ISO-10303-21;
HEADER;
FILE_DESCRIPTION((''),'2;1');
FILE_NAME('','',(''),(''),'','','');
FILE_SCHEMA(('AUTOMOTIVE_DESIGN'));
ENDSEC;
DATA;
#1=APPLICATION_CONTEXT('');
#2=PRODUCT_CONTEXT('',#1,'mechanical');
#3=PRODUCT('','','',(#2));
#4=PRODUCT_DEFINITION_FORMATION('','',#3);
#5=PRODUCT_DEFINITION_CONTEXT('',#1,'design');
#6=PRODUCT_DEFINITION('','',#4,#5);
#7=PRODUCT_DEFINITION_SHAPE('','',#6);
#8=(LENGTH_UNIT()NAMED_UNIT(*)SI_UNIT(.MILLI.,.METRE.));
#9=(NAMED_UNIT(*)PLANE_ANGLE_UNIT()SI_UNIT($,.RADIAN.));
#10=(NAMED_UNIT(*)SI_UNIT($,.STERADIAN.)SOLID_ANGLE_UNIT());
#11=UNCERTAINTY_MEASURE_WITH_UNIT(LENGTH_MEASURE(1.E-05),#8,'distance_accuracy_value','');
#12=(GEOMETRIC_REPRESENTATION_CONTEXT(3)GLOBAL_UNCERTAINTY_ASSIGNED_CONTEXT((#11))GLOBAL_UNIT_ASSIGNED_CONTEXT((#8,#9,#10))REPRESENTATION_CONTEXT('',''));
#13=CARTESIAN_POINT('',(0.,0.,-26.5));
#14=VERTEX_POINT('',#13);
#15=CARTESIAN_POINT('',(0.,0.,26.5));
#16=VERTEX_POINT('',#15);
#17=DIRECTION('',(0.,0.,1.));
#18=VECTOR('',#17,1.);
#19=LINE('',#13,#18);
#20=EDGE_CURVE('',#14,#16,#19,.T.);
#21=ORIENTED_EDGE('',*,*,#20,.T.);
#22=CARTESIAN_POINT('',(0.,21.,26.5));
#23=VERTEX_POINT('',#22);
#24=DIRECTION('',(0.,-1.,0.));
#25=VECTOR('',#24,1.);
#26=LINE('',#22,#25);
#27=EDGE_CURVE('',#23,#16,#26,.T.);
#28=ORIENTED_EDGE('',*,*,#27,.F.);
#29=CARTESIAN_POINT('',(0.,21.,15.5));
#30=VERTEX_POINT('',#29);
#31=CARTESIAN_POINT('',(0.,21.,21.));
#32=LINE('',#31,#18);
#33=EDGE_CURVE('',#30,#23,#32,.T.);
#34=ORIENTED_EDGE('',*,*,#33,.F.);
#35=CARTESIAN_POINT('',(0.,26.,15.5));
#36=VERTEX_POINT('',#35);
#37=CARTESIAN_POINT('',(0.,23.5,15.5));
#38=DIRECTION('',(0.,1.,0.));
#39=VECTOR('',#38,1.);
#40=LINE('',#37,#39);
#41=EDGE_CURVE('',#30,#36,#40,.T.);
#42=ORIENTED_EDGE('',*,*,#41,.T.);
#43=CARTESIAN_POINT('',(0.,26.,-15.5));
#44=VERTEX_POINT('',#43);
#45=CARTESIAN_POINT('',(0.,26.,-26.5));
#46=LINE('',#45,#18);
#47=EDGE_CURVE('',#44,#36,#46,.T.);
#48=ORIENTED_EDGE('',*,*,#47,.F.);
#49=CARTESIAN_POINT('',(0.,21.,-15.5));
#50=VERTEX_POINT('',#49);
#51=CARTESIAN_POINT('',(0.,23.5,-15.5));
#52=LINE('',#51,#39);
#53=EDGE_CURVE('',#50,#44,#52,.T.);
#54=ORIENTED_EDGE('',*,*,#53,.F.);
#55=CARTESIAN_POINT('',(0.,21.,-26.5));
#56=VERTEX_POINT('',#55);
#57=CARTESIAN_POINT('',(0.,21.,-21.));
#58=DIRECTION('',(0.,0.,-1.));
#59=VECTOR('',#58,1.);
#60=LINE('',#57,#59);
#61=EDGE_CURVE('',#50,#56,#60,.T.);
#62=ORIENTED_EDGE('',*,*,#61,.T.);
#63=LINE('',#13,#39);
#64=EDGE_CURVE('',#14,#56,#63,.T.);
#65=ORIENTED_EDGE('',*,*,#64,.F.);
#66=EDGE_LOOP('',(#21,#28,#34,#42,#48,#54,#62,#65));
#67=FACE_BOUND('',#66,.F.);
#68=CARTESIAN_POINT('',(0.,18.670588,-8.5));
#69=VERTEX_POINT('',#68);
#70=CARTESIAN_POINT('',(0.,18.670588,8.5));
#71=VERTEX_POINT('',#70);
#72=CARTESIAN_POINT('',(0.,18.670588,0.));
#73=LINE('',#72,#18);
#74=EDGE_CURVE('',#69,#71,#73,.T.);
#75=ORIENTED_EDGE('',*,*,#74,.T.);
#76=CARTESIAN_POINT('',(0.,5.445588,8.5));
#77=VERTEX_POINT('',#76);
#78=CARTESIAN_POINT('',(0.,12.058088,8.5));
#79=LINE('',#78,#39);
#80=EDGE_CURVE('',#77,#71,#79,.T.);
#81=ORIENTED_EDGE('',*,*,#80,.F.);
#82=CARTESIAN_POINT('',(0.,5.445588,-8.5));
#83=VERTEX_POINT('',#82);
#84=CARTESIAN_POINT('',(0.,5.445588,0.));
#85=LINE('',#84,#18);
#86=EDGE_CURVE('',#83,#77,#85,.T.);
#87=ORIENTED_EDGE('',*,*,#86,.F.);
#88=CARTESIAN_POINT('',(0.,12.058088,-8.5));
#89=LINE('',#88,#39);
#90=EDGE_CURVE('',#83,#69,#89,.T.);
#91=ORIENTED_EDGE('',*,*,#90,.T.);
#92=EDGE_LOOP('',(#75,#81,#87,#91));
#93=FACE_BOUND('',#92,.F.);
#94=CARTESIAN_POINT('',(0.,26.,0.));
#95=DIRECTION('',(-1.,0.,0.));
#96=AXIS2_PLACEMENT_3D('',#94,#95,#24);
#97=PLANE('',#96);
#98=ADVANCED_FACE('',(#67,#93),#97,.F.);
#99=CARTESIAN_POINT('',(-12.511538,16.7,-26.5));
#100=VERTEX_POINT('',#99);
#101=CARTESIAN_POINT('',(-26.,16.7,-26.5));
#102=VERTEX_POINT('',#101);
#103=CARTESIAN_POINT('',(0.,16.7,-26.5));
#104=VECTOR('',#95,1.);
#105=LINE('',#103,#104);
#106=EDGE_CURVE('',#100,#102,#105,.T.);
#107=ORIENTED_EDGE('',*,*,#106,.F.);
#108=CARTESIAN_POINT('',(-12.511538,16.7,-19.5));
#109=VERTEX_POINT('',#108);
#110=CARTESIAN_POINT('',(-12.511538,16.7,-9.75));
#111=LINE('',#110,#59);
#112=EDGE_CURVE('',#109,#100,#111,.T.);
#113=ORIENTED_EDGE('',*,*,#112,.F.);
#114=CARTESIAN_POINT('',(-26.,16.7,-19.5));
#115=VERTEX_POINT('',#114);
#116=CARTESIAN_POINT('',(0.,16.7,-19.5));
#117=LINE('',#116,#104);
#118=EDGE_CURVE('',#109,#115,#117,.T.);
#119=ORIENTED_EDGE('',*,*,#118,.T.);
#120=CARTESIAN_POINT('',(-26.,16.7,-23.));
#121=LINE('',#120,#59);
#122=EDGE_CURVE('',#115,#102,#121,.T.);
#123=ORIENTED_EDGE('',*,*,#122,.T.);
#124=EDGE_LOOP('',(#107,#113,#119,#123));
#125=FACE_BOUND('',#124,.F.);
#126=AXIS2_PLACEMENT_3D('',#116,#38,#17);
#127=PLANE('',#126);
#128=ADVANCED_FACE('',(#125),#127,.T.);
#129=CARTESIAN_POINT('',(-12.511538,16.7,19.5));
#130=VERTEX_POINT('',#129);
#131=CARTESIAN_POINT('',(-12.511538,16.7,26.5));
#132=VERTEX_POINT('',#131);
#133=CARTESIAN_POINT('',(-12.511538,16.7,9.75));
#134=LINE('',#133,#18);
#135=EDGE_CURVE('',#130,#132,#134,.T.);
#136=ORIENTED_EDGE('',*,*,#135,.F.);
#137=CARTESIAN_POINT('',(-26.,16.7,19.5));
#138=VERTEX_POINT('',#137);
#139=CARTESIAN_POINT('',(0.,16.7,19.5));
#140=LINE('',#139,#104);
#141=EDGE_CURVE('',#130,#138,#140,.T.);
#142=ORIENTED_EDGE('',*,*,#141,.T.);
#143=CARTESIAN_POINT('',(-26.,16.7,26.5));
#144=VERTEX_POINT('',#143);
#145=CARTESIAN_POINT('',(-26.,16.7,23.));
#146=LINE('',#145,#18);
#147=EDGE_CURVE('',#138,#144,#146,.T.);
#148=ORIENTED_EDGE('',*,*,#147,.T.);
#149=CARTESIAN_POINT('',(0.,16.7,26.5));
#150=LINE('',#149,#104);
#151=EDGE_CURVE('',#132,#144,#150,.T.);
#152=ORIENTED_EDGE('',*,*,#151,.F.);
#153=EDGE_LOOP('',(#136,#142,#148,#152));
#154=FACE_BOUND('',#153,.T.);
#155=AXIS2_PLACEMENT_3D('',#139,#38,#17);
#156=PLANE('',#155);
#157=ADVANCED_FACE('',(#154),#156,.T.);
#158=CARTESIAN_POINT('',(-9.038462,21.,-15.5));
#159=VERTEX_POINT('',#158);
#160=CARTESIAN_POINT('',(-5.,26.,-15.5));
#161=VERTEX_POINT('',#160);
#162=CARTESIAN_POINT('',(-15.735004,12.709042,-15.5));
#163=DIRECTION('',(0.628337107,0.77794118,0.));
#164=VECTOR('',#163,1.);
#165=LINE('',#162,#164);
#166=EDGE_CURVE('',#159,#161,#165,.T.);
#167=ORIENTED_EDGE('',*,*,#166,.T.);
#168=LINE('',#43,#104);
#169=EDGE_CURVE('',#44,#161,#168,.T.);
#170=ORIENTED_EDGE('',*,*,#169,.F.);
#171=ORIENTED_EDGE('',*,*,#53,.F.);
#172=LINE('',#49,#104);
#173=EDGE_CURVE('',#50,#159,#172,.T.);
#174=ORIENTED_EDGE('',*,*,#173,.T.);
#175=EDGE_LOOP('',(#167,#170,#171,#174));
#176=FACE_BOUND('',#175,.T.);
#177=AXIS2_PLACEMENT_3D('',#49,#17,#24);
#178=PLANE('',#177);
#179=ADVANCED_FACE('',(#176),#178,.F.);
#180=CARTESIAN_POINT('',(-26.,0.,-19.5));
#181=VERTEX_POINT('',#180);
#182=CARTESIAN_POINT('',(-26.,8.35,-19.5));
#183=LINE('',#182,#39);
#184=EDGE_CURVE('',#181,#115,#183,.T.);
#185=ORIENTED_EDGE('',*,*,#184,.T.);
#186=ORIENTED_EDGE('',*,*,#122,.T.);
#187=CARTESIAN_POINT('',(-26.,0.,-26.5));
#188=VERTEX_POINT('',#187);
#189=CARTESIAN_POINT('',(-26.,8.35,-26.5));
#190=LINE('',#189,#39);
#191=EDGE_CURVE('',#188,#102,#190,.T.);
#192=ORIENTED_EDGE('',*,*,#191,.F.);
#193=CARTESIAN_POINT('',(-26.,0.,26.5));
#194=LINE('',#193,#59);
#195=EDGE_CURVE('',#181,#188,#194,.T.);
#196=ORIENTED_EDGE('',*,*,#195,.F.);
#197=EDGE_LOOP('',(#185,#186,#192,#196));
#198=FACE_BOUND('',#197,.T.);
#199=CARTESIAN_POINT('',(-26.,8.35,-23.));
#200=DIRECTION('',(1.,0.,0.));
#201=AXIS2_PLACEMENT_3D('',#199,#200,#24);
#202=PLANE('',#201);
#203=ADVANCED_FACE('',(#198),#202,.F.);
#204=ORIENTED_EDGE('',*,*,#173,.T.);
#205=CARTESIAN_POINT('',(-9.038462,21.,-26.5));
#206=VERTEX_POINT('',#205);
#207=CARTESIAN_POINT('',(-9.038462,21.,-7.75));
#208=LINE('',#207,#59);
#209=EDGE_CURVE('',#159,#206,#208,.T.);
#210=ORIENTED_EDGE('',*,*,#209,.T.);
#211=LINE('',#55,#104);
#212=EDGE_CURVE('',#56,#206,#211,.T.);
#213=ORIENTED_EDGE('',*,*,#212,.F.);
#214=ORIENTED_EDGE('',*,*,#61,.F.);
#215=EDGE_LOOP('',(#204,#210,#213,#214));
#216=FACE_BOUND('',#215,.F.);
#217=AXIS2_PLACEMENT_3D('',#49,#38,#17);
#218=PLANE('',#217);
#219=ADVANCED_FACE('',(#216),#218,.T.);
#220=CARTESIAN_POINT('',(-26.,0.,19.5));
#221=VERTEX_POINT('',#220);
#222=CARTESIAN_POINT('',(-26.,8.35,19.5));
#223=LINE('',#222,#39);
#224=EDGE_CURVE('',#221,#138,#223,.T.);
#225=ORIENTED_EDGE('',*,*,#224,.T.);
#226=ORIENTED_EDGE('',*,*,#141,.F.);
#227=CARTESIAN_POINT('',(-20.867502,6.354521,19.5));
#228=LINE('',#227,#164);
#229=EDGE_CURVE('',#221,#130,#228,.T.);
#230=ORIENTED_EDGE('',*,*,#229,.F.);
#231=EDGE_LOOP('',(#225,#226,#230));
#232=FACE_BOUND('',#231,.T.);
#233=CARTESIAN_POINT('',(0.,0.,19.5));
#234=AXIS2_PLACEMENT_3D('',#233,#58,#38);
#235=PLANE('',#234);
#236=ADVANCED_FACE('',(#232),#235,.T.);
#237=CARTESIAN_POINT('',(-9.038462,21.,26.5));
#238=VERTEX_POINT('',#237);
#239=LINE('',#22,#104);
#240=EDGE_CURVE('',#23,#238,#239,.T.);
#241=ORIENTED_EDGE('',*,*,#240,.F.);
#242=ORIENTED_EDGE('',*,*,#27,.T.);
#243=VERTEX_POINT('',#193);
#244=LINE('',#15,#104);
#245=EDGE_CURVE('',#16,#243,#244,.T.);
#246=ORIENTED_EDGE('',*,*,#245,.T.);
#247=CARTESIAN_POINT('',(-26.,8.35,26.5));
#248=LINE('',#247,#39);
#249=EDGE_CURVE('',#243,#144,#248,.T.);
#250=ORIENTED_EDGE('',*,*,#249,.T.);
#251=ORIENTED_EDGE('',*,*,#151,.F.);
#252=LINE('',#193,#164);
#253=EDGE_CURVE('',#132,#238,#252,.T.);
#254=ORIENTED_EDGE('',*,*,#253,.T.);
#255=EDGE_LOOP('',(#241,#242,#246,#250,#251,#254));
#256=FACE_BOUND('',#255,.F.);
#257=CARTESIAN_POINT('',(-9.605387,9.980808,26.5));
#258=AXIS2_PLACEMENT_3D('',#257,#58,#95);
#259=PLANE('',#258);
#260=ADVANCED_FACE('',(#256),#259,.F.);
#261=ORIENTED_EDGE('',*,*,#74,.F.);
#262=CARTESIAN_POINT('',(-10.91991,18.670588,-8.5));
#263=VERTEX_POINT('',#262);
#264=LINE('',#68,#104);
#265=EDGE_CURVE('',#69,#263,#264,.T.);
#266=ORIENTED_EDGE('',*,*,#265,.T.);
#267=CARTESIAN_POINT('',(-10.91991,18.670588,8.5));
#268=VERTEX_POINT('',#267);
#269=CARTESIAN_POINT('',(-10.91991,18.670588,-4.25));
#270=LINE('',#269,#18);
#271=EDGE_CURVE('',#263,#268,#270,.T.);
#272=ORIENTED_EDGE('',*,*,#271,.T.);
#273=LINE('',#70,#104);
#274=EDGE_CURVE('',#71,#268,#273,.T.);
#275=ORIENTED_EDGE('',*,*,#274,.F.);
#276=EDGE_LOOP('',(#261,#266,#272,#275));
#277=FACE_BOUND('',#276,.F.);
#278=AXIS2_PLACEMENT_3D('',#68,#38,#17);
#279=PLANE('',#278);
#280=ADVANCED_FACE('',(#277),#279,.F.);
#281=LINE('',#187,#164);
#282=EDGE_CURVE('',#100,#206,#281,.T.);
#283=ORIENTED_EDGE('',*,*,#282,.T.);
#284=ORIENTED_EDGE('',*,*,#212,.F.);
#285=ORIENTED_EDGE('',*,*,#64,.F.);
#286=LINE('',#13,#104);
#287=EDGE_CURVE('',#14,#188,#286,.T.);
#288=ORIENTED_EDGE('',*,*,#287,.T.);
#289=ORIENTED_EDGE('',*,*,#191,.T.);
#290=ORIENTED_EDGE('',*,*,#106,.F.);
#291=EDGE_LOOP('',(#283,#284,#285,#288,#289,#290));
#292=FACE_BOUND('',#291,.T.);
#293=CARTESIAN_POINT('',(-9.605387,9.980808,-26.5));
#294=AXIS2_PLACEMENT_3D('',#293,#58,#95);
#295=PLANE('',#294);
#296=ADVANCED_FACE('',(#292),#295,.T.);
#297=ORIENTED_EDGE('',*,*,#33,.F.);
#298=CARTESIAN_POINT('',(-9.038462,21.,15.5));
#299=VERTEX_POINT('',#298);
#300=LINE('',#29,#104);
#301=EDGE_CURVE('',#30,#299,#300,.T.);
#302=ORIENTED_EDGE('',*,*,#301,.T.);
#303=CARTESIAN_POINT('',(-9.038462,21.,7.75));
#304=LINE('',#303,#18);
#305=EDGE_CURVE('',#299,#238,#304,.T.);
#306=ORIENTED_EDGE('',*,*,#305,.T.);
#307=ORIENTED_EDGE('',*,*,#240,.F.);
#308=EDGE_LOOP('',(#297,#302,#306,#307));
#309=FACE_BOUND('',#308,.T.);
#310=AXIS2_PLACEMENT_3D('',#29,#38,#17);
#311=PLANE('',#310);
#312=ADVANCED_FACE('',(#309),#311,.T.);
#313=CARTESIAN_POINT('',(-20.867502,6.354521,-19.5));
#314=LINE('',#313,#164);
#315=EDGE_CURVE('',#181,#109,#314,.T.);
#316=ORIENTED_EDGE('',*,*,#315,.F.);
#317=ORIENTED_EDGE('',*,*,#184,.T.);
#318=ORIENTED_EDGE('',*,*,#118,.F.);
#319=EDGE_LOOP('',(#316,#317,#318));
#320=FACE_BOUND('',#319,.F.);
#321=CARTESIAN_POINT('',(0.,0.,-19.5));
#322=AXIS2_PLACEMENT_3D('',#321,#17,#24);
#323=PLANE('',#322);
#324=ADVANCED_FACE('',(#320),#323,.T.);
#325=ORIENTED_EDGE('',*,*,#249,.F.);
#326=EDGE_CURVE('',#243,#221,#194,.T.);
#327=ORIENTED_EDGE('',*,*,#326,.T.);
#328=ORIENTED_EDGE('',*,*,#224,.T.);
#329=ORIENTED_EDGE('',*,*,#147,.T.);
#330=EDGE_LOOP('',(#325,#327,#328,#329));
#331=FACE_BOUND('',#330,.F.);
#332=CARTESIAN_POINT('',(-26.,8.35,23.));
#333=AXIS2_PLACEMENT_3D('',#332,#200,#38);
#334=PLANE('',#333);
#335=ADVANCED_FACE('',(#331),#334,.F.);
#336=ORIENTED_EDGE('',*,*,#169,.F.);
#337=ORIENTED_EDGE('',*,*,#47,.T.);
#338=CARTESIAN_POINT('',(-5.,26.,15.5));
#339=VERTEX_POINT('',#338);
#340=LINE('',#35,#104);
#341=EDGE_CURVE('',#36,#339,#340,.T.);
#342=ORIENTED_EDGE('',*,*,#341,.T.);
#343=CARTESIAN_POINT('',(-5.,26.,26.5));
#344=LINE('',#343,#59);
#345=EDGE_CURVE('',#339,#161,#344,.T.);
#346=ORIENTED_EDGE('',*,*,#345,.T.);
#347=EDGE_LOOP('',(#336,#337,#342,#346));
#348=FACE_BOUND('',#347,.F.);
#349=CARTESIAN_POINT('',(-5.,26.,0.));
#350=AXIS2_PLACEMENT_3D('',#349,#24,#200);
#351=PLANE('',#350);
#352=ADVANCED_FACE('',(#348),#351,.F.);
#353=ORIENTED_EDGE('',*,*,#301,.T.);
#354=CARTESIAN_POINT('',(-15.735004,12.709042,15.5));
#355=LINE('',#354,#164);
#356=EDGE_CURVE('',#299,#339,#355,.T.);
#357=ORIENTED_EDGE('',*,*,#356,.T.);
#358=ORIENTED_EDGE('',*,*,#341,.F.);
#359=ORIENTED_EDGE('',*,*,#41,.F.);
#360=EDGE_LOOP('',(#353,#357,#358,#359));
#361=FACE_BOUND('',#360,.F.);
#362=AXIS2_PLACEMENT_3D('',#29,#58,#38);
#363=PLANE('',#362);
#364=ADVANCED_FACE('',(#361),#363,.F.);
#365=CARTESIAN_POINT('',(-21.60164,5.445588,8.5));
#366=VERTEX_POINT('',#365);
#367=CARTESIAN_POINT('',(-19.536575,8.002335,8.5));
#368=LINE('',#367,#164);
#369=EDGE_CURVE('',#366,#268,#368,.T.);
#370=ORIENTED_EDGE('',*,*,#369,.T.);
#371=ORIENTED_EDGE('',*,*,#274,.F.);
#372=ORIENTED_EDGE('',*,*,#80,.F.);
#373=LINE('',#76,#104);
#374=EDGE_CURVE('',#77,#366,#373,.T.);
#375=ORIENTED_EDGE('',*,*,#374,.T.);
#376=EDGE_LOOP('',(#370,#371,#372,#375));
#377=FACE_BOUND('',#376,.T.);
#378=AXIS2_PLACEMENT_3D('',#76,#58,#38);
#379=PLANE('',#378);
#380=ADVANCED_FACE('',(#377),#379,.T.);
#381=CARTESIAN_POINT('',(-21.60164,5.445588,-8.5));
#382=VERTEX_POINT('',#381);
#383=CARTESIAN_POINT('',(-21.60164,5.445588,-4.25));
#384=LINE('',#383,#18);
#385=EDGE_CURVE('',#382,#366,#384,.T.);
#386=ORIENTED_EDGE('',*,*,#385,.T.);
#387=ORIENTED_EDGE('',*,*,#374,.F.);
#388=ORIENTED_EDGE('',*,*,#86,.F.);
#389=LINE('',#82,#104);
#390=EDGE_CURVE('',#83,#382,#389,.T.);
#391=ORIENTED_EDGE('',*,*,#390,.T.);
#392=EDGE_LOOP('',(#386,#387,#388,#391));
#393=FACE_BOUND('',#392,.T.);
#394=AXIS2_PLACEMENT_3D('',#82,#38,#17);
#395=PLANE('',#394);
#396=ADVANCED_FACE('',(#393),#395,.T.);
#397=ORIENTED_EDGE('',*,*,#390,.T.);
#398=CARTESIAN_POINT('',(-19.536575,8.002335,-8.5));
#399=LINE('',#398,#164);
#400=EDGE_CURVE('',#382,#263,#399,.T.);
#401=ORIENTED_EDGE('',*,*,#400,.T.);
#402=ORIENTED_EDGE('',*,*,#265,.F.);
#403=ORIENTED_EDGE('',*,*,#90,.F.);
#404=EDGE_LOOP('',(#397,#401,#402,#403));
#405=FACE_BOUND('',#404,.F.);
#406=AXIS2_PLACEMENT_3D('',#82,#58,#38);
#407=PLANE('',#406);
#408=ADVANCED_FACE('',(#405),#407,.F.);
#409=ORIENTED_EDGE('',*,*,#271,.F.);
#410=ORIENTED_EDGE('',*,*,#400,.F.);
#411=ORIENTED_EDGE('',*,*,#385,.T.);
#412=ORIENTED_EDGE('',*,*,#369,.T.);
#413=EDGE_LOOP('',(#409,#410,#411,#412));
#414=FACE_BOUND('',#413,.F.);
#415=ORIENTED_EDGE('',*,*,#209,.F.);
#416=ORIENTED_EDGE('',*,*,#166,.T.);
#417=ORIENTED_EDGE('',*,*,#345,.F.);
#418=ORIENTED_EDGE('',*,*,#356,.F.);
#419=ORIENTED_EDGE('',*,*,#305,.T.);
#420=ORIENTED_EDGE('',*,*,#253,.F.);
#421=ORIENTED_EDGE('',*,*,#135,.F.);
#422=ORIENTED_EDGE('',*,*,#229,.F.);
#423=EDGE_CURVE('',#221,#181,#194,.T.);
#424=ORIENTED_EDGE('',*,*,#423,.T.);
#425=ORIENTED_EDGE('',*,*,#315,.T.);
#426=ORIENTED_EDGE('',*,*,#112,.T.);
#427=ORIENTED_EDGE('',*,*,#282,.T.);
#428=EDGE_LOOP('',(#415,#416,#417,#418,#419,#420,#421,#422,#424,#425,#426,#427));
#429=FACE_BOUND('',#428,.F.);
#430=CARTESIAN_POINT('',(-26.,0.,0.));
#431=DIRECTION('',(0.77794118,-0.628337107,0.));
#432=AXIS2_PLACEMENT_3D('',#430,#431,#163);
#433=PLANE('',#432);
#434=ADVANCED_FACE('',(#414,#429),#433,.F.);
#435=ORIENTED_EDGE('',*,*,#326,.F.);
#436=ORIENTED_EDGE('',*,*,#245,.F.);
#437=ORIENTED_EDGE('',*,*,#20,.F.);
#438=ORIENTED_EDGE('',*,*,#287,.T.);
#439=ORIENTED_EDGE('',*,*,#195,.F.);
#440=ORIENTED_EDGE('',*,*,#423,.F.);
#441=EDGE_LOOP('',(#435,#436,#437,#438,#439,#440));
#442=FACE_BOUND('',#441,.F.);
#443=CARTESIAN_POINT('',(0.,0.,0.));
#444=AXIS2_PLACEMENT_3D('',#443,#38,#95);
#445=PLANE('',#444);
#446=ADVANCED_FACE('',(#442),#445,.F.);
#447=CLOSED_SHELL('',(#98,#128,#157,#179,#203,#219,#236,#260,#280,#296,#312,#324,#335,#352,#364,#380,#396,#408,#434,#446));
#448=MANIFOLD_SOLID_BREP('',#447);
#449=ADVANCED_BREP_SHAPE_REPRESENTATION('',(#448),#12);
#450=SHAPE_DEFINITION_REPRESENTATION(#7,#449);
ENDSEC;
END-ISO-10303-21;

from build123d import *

# Parameters (mm, degrees)
PAD_DEPTH       = 26.5
SKETCH002_W     = 5
SKETCH002_H     = 11
POCKET_DEPTH    = 155.012627
SKETCH003_W     = 16.7
SKETCH003_H     = 7
PAD001_DEPTH    = 26
SKETCH005_W     = 13.225
SKETCH005_H     = 17
POCKET001_DEPTH = 26.001


with BuildPart() as part:
    # Sketch → Pad (new body, symmetric)
    with BuildSketch(Plane.XY):
        Polygon((0, 0), (-26, 0), (-5, 26), (0, 26), align=None)
    extrude(amount=PAD_DEPTH, both=True)

    # Sketch002 (on Face4 of Pad) → Pocket (cut, through all)
    with BuildSketch(Plane.YZ):
        with Locations((23.5, 21)):
            Rectangle(SKETCH002_W, SKETCH002_H)
    pocket = extrude(amount=-POCKET_DEPTH, mode=Mode.SUBTRACT)

    # Mirrored: Pocket across Sketch002 H_Axis
    add(pocket.mirror(Plane.XY), mode=Mode.SUBTRACT)

    # Sketch003 (on Face2 of Mirrored) → Pad001 (join)
    with BuildSketch(Plane.YZ):
        with Locations((8.35, 23)):
            Rectangle(SKETCH003_W, SKETCH003_H)
    pad001 = extrude(amount=-PAD001_DEPTH)

    # Mirrored001: Pad001 across Sketch003 H_Axis
    add(pad001.mirror(Plane.XY))

    # Sketch005 (on Face12 of Mirrored001) → Pocket001 (cut, through all)
    with BuildSketch(Plane.YZ):
        with Locations((12.058088, 0)):
            Rectangle(SKETCH005_W, SKETCH005_H)
    extrude(amount=-POCKET001_DEPTH, mode=Mode.SUBTRACT)


solid = part.part
